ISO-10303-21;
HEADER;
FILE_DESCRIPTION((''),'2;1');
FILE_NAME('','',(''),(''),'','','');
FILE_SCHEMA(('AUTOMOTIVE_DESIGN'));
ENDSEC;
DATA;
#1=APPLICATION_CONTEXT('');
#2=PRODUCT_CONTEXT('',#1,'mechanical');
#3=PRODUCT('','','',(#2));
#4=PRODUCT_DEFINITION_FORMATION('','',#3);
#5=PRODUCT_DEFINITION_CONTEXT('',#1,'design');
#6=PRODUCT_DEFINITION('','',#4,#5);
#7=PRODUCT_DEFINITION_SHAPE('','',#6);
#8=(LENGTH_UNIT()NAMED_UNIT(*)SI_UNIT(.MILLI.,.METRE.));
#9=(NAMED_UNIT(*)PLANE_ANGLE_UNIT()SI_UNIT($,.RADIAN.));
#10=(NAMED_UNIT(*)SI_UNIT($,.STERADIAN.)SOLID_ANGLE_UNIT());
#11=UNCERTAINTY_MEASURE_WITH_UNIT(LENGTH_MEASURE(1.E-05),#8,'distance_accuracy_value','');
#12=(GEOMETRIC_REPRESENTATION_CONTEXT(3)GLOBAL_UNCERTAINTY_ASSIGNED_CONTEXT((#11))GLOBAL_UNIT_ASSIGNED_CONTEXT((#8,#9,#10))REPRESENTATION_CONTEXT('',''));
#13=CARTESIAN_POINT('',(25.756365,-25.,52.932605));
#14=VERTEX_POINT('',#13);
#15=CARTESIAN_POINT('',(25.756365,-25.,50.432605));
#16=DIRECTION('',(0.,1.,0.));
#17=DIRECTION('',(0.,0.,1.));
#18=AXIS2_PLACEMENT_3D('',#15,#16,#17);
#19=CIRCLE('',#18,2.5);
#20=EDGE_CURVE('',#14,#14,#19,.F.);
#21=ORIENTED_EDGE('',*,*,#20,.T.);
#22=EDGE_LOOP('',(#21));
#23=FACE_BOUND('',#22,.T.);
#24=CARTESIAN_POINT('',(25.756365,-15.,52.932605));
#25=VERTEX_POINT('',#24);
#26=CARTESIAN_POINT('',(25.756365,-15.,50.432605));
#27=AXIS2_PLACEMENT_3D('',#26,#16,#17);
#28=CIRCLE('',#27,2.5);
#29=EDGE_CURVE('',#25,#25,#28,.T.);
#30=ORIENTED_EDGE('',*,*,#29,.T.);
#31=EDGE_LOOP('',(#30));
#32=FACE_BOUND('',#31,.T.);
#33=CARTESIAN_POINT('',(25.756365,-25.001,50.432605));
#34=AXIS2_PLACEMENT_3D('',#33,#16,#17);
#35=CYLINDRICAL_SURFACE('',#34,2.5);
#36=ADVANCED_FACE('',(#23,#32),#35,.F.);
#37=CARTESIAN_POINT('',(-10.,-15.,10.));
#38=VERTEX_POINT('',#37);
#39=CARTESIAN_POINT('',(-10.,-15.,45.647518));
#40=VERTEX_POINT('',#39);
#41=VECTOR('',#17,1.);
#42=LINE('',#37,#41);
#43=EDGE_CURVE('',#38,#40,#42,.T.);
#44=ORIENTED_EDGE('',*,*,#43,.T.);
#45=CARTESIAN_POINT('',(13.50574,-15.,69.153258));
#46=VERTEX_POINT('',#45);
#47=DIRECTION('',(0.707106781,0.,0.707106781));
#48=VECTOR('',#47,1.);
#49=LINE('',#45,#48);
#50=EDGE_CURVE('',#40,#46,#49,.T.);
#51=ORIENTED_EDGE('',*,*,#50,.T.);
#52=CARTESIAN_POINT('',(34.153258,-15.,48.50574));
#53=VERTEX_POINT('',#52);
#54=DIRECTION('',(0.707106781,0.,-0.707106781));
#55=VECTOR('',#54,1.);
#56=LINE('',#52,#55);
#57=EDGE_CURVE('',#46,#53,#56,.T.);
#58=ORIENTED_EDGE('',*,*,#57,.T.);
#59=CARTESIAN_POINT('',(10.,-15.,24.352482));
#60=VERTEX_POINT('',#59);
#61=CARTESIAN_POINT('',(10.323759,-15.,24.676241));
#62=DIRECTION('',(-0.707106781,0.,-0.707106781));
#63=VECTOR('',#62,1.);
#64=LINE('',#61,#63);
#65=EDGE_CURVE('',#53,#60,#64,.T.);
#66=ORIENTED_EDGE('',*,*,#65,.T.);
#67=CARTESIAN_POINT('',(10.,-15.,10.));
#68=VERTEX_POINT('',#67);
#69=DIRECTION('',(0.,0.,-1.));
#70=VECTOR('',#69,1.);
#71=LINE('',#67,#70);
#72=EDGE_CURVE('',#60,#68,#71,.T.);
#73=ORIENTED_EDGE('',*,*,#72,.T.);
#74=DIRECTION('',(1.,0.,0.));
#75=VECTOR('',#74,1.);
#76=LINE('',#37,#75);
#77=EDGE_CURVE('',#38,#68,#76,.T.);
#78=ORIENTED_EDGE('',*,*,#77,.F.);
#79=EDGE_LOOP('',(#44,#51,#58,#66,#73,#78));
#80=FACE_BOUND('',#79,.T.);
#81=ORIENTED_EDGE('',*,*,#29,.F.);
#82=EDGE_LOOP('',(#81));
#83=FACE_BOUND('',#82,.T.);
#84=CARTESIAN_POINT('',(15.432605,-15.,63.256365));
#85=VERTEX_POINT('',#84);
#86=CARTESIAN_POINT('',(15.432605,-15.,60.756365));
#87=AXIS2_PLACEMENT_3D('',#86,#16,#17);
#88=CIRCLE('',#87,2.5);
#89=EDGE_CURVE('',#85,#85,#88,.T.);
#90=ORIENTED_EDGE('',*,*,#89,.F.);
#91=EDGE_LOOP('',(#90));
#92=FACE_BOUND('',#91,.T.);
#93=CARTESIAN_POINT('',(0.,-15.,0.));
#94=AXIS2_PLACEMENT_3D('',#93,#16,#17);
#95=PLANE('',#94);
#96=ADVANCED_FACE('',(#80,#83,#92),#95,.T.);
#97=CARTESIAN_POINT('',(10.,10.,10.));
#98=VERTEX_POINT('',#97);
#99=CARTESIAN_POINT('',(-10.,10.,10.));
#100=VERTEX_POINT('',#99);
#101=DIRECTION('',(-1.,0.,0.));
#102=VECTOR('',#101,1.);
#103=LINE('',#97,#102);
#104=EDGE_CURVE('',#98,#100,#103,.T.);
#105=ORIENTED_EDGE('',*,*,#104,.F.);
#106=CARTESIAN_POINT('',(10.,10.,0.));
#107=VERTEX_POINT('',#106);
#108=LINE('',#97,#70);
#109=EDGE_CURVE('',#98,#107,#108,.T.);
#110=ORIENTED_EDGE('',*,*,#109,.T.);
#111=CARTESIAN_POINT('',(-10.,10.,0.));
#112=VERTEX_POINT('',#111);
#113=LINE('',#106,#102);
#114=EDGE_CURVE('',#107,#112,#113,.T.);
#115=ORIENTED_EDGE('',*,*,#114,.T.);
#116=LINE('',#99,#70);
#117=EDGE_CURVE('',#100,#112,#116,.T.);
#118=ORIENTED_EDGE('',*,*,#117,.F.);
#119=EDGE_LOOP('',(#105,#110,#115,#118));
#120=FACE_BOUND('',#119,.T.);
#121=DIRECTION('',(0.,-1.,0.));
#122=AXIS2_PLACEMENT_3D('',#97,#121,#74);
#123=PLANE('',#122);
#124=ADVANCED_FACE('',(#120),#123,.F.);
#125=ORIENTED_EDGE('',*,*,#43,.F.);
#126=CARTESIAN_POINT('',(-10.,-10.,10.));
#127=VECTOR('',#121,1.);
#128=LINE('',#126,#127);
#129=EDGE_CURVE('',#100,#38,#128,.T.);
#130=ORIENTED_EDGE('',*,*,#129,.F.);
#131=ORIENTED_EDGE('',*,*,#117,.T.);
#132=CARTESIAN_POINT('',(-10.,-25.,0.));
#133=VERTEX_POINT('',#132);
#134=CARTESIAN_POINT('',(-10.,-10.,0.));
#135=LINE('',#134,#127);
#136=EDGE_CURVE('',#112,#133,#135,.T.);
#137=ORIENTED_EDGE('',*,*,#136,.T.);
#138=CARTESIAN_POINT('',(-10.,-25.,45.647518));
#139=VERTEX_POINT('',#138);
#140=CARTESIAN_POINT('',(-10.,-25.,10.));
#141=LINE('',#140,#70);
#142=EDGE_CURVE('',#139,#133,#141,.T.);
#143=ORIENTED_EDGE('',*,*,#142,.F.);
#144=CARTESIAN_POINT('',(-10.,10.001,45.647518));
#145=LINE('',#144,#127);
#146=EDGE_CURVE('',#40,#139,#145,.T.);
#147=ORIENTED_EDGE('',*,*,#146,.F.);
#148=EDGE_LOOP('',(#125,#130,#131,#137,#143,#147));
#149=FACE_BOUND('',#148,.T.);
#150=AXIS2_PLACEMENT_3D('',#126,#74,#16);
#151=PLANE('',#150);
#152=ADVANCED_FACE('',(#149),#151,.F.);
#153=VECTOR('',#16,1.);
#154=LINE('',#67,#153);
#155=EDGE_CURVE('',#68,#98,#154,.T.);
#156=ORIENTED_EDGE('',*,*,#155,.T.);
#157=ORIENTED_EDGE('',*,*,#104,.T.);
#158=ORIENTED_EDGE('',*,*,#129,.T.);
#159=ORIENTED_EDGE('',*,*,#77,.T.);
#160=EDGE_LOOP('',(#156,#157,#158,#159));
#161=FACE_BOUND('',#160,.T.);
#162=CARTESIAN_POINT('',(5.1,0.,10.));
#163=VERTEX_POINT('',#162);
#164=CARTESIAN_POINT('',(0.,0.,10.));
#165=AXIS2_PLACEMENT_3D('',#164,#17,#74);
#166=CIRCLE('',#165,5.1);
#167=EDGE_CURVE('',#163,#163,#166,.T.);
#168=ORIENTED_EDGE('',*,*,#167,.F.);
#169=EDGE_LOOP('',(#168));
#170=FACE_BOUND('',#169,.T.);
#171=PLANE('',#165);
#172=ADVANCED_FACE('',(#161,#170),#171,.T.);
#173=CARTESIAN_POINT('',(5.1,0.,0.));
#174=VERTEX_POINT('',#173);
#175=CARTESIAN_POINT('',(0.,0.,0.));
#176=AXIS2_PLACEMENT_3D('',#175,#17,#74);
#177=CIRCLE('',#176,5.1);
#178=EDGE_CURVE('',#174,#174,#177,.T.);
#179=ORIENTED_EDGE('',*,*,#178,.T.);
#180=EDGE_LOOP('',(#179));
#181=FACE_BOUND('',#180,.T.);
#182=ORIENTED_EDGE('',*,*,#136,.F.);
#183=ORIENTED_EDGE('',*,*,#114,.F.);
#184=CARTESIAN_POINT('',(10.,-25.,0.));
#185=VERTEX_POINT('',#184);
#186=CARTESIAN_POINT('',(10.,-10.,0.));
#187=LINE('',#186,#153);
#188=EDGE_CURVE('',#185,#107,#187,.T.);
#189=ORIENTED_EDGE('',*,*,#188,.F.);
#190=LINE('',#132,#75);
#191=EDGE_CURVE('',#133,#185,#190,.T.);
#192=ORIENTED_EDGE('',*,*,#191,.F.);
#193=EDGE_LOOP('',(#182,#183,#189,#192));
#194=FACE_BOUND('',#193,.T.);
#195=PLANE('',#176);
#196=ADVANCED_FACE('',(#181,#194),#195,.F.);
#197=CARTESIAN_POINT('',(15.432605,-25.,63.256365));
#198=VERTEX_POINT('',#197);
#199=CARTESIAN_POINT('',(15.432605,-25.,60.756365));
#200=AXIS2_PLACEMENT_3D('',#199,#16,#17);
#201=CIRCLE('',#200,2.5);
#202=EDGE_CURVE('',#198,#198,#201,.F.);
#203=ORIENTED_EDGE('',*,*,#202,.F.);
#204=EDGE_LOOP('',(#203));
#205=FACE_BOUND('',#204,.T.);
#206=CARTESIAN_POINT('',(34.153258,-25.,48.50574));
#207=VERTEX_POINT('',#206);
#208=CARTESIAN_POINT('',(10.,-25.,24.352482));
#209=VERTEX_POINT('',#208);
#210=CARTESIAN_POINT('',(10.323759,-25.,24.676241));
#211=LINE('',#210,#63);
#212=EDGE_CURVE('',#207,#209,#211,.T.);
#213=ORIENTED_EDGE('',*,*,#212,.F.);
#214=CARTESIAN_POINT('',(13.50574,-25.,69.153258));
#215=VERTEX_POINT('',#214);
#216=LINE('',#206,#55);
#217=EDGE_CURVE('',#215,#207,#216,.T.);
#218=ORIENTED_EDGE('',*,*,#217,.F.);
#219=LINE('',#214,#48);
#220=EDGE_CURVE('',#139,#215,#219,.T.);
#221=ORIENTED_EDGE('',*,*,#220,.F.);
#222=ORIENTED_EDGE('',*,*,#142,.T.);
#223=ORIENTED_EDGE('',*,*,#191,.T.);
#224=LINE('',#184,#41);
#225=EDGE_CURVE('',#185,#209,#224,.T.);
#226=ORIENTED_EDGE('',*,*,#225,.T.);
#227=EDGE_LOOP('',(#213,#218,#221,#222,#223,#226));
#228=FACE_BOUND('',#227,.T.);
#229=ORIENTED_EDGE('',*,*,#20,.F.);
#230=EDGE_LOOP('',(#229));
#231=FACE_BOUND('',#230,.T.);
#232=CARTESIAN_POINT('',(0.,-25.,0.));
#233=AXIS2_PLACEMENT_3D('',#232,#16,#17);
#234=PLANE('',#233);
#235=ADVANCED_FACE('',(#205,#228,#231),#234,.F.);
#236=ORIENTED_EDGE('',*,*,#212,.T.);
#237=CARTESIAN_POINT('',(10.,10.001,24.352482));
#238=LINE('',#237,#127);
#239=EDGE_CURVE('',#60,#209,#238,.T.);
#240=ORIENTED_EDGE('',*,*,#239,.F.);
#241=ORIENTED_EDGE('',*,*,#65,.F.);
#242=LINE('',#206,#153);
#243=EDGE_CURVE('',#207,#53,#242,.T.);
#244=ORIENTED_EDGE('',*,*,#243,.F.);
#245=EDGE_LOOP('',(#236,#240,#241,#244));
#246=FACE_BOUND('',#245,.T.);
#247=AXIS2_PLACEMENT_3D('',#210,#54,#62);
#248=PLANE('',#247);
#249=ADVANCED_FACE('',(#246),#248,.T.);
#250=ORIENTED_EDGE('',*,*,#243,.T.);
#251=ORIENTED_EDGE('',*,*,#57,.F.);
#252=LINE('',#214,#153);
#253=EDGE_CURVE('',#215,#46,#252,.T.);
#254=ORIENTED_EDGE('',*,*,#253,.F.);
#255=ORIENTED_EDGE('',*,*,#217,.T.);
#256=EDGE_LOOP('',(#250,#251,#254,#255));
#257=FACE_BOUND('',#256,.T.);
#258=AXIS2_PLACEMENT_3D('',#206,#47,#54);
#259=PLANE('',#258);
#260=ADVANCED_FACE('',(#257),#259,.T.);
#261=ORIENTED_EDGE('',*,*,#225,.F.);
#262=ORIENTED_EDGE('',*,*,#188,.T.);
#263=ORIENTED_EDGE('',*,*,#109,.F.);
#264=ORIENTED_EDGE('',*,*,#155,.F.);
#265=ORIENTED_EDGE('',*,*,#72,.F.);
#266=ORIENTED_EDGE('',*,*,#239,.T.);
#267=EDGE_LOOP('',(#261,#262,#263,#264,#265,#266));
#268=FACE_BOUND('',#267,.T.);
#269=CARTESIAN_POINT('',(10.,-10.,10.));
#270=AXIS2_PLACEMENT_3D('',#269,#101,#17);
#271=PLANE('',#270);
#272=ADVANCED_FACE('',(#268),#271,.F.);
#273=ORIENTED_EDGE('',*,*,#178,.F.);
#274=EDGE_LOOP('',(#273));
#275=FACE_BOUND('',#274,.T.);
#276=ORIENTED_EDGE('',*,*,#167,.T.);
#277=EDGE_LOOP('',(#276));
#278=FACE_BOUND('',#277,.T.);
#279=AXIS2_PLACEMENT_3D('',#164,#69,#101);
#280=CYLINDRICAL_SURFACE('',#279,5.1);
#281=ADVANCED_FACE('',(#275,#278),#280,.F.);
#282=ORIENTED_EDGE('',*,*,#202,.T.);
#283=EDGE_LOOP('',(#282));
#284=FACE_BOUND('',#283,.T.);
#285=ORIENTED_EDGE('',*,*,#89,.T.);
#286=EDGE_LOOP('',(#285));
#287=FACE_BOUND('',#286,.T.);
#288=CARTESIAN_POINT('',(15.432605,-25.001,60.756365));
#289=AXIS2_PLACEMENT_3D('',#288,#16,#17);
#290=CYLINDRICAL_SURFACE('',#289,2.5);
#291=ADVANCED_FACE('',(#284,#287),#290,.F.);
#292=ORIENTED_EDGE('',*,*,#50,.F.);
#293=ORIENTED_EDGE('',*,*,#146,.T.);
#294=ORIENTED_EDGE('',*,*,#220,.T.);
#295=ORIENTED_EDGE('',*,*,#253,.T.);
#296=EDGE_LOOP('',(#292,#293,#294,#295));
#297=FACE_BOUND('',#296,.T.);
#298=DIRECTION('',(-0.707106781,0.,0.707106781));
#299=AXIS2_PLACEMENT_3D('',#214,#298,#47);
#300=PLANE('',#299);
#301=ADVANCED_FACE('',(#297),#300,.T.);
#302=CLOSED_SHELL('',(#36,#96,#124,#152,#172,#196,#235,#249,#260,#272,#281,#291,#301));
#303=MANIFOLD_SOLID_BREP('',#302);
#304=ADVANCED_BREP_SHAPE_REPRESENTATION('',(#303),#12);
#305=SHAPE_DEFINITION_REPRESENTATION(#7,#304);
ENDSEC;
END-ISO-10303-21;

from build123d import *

# Parameters (mm, degrees)
SKETCH1_R           = 5.1
BOSS_EXTRUDE1_DEPTH = 10
BOSS_EXTRUDE3_DEPTH = 10
BOSS_EXTRUDE4_DEPTH = 10
CUT_EXTRUDE1_REACH  = 12
SKETCH7_R           = 2.5
CUT_EXTRUDE4_REACH  = 37


with BuildPart() as part:
    # Sketch1 → Boss-Extrude1 (new body)
    with BuildSketch(Plane.XY):
        Polygon((-10, -10), (-10, -15), (10, -15), (10, -10), (10, 10), (-10, 10), align=None)
        Circle(SKETCH1_R, mode=Mode.SUBTRACT)
    extrude(amount=BOSS_EXTRUDE1_DEPTH)

    # Sketch4 → Boss-Extrude3 (add)
    with BuildSketch(Plane.XZ.offset(15)):
        Polygon((-10, 10), (-10, 0), (10, 0), (10, 10), (14.5, 35), (14.5, 40), (-14.5, 40), (-14.5, 35), align=None)
    extrude(amount=BOSS_EXTRUDE3_DEPTH)

    # Sketch6 → Boss-Extrude4 (add)
    with BuildSketch(Plane(origin=(0, -15, 0), x_dir=(1, 0, 0), z_dir=(0, 1, 0))):
        Polygon((0, -35), (10.323759005, -24.676240995), (34.153257531, -48.505739521), (13.505739521, -69.153257531), (-10.323759005, -45.323759005), (-14.5, -40), (-5, -40), align=None)
    extrude(amount=-BOSS_EXTRUDE4_DEPTH)

    # Sketch7 → Cut-Extrude1 (cut, up to next)
    with BuildSketch(Plane(origin=(0, -15, 0), x_dir=(1, 0, 0), z_dir=(0, 1, 0)), mode=Mode.PRIVATE) as cut_extrude1_sk1:
        with Locations((15.432605499, -60.756364505)):
            Circle(SKETCH7_R)
    cut_extrude1_tool1 = extrude(cut_extrude1_sk1.sketch, amount=-CUT_EXTRUDE1_REACH, mode=Mode.PRIVATE) & part.part
    add(cut_extrude1_tool1.solids().sort_by_distance((15.432605, -15, 60.756365))[0], mode=Mode.SUBTRACT)
    # Sketch7 → Cut-Extrude1 (cut, up to next)
    with BuildSketch(Plane(origin=(0, -15, 0), x_dir=(1, 0, 0), z_dir=(0, 1, 0)), mode=Mode.PRIVATE) as cut_extrude1_sk2:
        with Locations((25.756364505, -50.432605499)):
            Circle(SKETCH7_R)
    cut_extrude1_tool2 = extrude(cut_extrude1_sk2.sketch, amount=-CUT_EXTRUDE1_REACH, mode=Mode.PRIVATE) & part.part
    add(cut_extrude1_tool2.solids().sort_by_distance((25.756365, -15, 50.432605))[0], mode=Mode.SUBTRACT)

    # Sketch8 → Cut-Extrude4 (cut, up to next)
    with BuildSketch(Plane.XZ.offset(25), mode=Mode.PRIVATE) as cut_extrude4_sk1:
        Polygon((10, 10), (10, 24.352481989), (13.150544827, 27.503026816), align=None)
    cut_extrude4_tool1 = extrude(cut_extrude4_sk1.sketch, amount=-CUT_EXTRUDE4_REACH, mode=Mode.PRIVATE) & part.part
    add(cut_extrude4_tool1.solids().sort_by_distance((11.050182, -25, 20.618503))[0], mode=Mode.SUBTRACT)
    # Sketch8 → Cut-Extrude4 (cut, up to next)
    with BuildSketch(Plane.XZ.offset(25), mode=Mode.PRIVATE) as cut_extrude4_sk2:
        Polygon((-14.5, 40), (-14.5, 35), (-10, 10), (-10, 45.647518011), (-10.323759005, 45.323759005), align=None)
    cut_extrude4_tool2 = extrude(cut_extrude4_sk2.sketch, amount=-CUT_EXTRUDE4_REACH, mode=Mode.PRIVATE) & part.part
    add(cut_extrude4_tool2.solids().sort_by_distance((-11.684358, -25, 31.470679))[0], mode=Mode.SUBTRACT)


solid = part.part
